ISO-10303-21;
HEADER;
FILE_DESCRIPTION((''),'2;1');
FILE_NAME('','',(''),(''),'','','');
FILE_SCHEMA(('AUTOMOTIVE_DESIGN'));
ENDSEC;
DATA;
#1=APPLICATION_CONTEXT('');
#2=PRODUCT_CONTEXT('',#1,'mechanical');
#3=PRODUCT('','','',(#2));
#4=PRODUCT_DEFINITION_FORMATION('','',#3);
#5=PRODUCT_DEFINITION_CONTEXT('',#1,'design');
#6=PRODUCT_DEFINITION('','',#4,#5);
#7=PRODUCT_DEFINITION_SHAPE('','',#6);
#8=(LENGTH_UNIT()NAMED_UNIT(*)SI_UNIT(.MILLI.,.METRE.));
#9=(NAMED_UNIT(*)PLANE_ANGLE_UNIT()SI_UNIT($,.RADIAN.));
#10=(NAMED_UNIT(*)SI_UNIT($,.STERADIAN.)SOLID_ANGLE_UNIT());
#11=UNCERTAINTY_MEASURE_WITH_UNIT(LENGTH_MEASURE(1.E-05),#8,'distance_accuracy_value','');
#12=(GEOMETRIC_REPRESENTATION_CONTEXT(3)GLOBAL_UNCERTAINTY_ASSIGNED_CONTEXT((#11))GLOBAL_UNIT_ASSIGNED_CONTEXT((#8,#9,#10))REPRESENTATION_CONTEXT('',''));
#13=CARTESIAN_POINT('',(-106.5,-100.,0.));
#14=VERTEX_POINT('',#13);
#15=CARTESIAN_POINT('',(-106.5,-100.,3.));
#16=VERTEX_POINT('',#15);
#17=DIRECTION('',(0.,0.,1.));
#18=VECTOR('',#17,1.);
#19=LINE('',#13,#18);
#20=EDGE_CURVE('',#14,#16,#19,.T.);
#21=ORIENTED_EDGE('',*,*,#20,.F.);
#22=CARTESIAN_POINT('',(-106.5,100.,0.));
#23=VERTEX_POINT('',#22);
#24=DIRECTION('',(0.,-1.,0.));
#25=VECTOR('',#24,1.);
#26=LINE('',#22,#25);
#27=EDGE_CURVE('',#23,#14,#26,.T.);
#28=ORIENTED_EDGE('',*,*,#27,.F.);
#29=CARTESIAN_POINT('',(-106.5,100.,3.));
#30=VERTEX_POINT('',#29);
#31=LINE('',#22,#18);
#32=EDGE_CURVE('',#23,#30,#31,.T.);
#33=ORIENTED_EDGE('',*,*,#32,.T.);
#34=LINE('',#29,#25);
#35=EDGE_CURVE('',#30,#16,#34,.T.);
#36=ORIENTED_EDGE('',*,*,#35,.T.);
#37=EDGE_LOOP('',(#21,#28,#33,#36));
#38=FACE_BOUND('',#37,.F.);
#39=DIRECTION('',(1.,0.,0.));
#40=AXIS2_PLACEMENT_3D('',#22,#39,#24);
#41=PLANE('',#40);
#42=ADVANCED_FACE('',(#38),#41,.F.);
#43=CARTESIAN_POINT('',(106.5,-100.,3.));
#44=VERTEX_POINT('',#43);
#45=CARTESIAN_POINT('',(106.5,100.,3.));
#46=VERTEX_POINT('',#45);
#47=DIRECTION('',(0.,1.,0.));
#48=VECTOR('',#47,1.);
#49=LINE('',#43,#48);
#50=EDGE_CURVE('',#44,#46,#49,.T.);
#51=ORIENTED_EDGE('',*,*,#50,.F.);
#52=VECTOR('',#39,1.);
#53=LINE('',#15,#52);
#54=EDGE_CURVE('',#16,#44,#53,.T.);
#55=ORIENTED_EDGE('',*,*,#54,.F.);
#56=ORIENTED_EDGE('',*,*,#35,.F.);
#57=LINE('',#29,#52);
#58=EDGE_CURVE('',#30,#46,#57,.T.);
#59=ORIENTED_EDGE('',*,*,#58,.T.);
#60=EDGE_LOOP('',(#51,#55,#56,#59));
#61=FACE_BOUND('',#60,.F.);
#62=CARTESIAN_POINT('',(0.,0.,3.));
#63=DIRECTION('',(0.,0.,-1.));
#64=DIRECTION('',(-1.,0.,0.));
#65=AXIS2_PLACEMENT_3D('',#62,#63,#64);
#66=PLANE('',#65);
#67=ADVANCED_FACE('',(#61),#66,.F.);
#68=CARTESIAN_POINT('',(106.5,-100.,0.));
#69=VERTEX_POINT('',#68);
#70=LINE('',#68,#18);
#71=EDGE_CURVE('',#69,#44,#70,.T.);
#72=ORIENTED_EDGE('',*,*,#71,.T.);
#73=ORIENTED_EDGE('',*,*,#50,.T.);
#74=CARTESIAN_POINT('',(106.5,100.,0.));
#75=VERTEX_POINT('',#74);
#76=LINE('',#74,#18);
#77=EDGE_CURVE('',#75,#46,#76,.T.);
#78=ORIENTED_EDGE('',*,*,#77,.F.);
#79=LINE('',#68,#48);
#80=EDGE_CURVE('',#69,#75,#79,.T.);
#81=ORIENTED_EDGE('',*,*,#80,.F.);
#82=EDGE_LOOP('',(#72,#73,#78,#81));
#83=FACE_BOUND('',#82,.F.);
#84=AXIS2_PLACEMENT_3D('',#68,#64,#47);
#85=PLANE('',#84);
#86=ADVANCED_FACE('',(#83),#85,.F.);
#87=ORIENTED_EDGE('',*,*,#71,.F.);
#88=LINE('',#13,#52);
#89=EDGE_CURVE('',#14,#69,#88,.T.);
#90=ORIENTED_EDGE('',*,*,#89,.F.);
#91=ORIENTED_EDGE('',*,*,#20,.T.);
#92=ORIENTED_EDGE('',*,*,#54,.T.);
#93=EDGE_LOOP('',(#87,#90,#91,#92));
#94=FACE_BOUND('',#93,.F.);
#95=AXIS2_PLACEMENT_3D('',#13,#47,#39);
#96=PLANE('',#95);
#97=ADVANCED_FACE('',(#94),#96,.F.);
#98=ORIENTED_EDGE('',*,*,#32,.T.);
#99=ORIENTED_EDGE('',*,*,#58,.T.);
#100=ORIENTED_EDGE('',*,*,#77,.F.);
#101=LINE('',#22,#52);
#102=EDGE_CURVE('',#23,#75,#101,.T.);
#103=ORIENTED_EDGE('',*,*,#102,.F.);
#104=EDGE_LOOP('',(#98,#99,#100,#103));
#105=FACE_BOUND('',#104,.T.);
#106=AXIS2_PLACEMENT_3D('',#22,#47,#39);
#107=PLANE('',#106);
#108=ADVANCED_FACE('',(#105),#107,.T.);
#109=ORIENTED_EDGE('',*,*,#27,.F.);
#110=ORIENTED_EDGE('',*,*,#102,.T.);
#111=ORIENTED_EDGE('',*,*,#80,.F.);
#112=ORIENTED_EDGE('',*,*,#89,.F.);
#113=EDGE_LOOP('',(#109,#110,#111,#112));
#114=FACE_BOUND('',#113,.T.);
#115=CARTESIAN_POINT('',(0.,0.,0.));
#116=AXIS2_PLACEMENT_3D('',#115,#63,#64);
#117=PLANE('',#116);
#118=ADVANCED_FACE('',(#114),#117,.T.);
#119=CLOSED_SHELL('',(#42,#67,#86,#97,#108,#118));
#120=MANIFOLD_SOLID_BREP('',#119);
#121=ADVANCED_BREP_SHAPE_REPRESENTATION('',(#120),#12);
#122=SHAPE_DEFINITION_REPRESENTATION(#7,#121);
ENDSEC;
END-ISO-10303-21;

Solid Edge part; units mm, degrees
sketch "Sketch1" plane through (0, 0, 0) normal (0, 0, 1) x (1, 0, 0)
  line L0 (-106.5, 100) -> (106.5, 100)
  line L1 (106.5, -100) -> (106.5, 100)
  line L2 (-106.5, -100) -> (106.5, -100)
  line L3 (-106.5, 100) -> (-106.5, -100)
  dimension "D1" = 213
  dimension "D2" = 213
  dimension "D3" = 106.5
  dimension "D4" = 106.5
  dimension "D5" = 100
  dimension "D6" = 100
extrude "Protrusion1" add sketch "Sketch1" along normal blind 3
